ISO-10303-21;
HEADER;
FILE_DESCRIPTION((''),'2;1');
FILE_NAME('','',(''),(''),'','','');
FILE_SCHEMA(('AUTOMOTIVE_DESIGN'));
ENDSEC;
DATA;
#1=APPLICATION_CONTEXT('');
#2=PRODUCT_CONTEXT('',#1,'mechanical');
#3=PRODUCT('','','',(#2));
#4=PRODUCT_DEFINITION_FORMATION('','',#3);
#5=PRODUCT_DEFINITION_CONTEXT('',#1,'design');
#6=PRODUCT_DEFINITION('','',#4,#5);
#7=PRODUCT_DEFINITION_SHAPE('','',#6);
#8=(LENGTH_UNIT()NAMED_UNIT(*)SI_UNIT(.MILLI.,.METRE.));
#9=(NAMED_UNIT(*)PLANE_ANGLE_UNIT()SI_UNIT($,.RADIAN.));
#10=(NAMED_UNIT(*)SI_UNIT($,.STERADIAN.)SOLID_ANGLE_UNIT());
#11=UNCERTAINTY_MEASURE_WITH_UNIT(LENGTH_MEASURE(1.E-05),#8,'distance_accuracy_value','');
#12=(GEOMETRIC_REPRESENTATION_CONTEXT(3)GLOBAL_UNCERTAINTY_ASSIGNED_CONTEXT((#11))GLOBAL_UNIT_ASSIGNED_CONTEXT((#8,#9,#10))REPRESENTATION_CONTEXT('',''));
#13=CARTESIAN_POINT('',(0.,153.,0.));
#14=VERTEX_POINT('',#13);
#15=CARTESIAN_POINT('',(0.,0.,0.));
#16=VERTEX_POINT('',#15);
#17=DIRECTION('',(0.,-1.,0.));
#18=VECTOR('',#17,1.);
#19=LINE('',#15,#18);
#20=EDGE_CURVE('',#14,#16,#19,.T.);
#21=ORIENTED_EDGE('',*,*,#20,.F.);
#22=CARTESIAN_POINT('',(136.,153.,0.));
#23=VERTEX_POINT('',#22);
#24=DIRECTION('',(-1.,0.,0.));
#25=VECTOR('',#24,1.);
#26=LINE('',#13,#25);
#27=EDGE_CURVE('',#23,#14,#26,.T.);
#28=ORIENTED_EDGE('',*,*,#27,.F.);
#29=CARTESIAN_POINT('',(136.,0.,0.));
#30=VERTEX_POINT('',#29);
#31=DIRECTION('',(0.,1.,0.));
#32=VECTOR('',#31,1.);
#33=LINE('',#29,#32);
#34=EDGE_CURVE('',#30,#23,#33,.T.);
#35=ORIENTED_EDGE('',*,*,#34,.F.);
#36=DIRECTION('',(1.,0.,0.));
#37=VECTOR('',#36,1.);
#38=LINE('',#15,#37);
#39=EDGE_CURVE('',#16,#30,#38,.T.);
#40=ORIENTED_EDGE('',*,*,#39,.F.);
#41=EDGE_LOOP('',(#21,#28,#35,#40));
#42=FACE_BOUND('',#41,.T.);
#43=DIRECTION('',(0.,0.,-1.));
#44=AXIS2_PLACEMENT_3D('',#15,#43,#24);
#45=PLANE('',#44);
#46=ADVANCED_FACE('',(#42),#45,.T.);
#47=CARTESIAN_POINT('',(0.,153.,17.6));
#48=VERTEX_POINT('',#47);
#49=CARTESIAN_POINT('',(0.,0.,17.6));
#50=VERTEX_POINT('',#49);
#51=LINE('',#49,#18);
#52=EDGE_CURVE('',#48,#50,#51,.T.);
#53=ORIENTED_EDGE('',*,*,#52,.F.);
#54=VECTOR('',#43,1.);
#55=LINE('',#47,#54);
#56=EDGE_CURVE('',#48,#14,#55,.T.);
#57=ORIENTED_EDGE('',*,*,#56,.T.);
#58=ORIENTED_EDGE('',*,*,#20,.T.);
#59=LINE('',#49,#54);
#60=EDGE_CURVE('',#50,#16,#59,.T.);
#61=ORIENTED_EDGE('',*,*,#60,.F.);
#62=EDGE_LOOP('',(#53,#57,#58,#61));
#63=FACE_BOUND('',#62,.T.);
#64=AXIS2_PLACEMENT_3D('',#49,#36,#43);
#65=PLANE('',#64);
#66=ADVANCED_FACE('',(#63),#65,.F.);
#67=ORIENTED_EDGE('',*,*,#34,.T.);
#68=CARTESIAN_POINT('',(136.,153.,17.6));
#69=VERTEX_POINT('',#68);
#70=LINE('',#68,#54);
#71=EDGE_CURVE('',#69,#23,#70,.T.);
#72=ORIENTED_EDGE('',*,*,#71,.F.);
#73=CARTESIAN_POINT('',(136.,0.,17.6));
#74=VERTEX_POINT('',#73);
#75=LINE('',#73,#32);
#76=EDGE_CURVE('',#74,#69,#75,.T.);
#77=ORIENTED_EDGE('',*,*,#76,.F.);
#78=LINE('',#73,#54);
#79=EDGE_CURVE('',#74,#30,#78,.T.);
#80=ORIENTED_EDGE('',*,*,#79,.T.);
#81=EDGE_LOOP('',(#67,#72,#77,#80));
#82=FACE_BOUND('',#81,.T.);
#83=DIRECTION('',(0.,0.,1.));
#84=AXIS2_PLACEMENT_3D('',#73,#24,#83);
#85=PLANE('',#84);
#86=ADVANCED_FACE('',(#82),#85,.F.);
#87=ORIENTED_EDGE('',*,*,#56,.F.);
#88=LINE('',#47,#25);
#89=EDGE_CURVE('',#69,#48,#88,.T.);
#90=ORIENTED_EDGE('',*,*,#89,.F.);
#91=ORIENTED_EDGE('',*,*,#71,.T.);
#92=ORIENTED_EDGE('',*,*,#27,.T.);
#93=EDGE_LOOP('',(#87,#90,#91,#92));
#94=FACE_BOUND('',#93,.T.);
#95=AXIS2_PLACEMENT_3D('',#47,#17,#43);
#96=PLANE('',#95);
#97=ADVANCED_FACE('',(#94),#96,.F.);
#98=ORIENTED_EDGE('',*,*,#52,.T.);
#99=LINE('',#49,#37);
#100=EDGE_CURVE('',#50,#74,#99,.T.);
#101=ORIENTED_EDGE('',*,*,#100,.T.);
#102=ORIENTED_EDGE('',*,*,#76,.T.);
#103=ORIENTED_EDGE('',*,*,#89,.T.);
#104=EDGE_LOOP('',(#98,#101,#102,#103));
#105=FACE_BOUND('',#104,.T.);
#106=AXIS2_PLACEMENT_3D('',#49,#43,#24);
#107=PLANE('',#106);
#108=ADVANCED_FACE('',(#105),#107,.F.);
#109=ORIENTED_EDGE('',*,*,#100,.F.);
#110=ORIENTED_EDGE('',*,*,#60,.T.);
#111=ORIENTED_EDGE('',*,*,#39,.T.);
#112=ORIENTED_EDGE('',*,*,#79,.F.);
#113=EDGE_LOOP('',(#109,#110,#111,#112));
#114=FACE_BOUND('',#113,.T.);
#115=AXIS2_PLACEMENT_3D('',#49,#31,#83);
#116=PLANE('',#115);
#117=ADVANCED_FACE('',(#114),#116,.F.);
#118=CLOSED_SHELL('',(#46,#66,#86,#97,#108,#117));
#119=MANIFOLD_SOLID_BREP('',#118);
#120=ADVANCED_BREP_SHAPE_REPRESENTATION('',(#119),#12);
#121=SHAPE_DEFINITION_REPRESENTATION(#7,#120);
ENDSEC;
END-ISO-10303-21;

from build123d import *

# Parameters (mm, degrees)
SKETCH2_W           = 136
SKETCH2_H           = 153
BOSS_EXTRUDE1_DEPTH = 17.6


with BuildPart() as part:
    # Sketch2 → Boss-Extrude1 (new body)
    with BuildSketch(Plane.XY):
        with Locations((68, 76.5)):
            Rectangle(SKETCH2_W, SKETCH2_H)
    extrude(amount=BOSS_EXTRUDE1_DEPTH)


solid = part.part
